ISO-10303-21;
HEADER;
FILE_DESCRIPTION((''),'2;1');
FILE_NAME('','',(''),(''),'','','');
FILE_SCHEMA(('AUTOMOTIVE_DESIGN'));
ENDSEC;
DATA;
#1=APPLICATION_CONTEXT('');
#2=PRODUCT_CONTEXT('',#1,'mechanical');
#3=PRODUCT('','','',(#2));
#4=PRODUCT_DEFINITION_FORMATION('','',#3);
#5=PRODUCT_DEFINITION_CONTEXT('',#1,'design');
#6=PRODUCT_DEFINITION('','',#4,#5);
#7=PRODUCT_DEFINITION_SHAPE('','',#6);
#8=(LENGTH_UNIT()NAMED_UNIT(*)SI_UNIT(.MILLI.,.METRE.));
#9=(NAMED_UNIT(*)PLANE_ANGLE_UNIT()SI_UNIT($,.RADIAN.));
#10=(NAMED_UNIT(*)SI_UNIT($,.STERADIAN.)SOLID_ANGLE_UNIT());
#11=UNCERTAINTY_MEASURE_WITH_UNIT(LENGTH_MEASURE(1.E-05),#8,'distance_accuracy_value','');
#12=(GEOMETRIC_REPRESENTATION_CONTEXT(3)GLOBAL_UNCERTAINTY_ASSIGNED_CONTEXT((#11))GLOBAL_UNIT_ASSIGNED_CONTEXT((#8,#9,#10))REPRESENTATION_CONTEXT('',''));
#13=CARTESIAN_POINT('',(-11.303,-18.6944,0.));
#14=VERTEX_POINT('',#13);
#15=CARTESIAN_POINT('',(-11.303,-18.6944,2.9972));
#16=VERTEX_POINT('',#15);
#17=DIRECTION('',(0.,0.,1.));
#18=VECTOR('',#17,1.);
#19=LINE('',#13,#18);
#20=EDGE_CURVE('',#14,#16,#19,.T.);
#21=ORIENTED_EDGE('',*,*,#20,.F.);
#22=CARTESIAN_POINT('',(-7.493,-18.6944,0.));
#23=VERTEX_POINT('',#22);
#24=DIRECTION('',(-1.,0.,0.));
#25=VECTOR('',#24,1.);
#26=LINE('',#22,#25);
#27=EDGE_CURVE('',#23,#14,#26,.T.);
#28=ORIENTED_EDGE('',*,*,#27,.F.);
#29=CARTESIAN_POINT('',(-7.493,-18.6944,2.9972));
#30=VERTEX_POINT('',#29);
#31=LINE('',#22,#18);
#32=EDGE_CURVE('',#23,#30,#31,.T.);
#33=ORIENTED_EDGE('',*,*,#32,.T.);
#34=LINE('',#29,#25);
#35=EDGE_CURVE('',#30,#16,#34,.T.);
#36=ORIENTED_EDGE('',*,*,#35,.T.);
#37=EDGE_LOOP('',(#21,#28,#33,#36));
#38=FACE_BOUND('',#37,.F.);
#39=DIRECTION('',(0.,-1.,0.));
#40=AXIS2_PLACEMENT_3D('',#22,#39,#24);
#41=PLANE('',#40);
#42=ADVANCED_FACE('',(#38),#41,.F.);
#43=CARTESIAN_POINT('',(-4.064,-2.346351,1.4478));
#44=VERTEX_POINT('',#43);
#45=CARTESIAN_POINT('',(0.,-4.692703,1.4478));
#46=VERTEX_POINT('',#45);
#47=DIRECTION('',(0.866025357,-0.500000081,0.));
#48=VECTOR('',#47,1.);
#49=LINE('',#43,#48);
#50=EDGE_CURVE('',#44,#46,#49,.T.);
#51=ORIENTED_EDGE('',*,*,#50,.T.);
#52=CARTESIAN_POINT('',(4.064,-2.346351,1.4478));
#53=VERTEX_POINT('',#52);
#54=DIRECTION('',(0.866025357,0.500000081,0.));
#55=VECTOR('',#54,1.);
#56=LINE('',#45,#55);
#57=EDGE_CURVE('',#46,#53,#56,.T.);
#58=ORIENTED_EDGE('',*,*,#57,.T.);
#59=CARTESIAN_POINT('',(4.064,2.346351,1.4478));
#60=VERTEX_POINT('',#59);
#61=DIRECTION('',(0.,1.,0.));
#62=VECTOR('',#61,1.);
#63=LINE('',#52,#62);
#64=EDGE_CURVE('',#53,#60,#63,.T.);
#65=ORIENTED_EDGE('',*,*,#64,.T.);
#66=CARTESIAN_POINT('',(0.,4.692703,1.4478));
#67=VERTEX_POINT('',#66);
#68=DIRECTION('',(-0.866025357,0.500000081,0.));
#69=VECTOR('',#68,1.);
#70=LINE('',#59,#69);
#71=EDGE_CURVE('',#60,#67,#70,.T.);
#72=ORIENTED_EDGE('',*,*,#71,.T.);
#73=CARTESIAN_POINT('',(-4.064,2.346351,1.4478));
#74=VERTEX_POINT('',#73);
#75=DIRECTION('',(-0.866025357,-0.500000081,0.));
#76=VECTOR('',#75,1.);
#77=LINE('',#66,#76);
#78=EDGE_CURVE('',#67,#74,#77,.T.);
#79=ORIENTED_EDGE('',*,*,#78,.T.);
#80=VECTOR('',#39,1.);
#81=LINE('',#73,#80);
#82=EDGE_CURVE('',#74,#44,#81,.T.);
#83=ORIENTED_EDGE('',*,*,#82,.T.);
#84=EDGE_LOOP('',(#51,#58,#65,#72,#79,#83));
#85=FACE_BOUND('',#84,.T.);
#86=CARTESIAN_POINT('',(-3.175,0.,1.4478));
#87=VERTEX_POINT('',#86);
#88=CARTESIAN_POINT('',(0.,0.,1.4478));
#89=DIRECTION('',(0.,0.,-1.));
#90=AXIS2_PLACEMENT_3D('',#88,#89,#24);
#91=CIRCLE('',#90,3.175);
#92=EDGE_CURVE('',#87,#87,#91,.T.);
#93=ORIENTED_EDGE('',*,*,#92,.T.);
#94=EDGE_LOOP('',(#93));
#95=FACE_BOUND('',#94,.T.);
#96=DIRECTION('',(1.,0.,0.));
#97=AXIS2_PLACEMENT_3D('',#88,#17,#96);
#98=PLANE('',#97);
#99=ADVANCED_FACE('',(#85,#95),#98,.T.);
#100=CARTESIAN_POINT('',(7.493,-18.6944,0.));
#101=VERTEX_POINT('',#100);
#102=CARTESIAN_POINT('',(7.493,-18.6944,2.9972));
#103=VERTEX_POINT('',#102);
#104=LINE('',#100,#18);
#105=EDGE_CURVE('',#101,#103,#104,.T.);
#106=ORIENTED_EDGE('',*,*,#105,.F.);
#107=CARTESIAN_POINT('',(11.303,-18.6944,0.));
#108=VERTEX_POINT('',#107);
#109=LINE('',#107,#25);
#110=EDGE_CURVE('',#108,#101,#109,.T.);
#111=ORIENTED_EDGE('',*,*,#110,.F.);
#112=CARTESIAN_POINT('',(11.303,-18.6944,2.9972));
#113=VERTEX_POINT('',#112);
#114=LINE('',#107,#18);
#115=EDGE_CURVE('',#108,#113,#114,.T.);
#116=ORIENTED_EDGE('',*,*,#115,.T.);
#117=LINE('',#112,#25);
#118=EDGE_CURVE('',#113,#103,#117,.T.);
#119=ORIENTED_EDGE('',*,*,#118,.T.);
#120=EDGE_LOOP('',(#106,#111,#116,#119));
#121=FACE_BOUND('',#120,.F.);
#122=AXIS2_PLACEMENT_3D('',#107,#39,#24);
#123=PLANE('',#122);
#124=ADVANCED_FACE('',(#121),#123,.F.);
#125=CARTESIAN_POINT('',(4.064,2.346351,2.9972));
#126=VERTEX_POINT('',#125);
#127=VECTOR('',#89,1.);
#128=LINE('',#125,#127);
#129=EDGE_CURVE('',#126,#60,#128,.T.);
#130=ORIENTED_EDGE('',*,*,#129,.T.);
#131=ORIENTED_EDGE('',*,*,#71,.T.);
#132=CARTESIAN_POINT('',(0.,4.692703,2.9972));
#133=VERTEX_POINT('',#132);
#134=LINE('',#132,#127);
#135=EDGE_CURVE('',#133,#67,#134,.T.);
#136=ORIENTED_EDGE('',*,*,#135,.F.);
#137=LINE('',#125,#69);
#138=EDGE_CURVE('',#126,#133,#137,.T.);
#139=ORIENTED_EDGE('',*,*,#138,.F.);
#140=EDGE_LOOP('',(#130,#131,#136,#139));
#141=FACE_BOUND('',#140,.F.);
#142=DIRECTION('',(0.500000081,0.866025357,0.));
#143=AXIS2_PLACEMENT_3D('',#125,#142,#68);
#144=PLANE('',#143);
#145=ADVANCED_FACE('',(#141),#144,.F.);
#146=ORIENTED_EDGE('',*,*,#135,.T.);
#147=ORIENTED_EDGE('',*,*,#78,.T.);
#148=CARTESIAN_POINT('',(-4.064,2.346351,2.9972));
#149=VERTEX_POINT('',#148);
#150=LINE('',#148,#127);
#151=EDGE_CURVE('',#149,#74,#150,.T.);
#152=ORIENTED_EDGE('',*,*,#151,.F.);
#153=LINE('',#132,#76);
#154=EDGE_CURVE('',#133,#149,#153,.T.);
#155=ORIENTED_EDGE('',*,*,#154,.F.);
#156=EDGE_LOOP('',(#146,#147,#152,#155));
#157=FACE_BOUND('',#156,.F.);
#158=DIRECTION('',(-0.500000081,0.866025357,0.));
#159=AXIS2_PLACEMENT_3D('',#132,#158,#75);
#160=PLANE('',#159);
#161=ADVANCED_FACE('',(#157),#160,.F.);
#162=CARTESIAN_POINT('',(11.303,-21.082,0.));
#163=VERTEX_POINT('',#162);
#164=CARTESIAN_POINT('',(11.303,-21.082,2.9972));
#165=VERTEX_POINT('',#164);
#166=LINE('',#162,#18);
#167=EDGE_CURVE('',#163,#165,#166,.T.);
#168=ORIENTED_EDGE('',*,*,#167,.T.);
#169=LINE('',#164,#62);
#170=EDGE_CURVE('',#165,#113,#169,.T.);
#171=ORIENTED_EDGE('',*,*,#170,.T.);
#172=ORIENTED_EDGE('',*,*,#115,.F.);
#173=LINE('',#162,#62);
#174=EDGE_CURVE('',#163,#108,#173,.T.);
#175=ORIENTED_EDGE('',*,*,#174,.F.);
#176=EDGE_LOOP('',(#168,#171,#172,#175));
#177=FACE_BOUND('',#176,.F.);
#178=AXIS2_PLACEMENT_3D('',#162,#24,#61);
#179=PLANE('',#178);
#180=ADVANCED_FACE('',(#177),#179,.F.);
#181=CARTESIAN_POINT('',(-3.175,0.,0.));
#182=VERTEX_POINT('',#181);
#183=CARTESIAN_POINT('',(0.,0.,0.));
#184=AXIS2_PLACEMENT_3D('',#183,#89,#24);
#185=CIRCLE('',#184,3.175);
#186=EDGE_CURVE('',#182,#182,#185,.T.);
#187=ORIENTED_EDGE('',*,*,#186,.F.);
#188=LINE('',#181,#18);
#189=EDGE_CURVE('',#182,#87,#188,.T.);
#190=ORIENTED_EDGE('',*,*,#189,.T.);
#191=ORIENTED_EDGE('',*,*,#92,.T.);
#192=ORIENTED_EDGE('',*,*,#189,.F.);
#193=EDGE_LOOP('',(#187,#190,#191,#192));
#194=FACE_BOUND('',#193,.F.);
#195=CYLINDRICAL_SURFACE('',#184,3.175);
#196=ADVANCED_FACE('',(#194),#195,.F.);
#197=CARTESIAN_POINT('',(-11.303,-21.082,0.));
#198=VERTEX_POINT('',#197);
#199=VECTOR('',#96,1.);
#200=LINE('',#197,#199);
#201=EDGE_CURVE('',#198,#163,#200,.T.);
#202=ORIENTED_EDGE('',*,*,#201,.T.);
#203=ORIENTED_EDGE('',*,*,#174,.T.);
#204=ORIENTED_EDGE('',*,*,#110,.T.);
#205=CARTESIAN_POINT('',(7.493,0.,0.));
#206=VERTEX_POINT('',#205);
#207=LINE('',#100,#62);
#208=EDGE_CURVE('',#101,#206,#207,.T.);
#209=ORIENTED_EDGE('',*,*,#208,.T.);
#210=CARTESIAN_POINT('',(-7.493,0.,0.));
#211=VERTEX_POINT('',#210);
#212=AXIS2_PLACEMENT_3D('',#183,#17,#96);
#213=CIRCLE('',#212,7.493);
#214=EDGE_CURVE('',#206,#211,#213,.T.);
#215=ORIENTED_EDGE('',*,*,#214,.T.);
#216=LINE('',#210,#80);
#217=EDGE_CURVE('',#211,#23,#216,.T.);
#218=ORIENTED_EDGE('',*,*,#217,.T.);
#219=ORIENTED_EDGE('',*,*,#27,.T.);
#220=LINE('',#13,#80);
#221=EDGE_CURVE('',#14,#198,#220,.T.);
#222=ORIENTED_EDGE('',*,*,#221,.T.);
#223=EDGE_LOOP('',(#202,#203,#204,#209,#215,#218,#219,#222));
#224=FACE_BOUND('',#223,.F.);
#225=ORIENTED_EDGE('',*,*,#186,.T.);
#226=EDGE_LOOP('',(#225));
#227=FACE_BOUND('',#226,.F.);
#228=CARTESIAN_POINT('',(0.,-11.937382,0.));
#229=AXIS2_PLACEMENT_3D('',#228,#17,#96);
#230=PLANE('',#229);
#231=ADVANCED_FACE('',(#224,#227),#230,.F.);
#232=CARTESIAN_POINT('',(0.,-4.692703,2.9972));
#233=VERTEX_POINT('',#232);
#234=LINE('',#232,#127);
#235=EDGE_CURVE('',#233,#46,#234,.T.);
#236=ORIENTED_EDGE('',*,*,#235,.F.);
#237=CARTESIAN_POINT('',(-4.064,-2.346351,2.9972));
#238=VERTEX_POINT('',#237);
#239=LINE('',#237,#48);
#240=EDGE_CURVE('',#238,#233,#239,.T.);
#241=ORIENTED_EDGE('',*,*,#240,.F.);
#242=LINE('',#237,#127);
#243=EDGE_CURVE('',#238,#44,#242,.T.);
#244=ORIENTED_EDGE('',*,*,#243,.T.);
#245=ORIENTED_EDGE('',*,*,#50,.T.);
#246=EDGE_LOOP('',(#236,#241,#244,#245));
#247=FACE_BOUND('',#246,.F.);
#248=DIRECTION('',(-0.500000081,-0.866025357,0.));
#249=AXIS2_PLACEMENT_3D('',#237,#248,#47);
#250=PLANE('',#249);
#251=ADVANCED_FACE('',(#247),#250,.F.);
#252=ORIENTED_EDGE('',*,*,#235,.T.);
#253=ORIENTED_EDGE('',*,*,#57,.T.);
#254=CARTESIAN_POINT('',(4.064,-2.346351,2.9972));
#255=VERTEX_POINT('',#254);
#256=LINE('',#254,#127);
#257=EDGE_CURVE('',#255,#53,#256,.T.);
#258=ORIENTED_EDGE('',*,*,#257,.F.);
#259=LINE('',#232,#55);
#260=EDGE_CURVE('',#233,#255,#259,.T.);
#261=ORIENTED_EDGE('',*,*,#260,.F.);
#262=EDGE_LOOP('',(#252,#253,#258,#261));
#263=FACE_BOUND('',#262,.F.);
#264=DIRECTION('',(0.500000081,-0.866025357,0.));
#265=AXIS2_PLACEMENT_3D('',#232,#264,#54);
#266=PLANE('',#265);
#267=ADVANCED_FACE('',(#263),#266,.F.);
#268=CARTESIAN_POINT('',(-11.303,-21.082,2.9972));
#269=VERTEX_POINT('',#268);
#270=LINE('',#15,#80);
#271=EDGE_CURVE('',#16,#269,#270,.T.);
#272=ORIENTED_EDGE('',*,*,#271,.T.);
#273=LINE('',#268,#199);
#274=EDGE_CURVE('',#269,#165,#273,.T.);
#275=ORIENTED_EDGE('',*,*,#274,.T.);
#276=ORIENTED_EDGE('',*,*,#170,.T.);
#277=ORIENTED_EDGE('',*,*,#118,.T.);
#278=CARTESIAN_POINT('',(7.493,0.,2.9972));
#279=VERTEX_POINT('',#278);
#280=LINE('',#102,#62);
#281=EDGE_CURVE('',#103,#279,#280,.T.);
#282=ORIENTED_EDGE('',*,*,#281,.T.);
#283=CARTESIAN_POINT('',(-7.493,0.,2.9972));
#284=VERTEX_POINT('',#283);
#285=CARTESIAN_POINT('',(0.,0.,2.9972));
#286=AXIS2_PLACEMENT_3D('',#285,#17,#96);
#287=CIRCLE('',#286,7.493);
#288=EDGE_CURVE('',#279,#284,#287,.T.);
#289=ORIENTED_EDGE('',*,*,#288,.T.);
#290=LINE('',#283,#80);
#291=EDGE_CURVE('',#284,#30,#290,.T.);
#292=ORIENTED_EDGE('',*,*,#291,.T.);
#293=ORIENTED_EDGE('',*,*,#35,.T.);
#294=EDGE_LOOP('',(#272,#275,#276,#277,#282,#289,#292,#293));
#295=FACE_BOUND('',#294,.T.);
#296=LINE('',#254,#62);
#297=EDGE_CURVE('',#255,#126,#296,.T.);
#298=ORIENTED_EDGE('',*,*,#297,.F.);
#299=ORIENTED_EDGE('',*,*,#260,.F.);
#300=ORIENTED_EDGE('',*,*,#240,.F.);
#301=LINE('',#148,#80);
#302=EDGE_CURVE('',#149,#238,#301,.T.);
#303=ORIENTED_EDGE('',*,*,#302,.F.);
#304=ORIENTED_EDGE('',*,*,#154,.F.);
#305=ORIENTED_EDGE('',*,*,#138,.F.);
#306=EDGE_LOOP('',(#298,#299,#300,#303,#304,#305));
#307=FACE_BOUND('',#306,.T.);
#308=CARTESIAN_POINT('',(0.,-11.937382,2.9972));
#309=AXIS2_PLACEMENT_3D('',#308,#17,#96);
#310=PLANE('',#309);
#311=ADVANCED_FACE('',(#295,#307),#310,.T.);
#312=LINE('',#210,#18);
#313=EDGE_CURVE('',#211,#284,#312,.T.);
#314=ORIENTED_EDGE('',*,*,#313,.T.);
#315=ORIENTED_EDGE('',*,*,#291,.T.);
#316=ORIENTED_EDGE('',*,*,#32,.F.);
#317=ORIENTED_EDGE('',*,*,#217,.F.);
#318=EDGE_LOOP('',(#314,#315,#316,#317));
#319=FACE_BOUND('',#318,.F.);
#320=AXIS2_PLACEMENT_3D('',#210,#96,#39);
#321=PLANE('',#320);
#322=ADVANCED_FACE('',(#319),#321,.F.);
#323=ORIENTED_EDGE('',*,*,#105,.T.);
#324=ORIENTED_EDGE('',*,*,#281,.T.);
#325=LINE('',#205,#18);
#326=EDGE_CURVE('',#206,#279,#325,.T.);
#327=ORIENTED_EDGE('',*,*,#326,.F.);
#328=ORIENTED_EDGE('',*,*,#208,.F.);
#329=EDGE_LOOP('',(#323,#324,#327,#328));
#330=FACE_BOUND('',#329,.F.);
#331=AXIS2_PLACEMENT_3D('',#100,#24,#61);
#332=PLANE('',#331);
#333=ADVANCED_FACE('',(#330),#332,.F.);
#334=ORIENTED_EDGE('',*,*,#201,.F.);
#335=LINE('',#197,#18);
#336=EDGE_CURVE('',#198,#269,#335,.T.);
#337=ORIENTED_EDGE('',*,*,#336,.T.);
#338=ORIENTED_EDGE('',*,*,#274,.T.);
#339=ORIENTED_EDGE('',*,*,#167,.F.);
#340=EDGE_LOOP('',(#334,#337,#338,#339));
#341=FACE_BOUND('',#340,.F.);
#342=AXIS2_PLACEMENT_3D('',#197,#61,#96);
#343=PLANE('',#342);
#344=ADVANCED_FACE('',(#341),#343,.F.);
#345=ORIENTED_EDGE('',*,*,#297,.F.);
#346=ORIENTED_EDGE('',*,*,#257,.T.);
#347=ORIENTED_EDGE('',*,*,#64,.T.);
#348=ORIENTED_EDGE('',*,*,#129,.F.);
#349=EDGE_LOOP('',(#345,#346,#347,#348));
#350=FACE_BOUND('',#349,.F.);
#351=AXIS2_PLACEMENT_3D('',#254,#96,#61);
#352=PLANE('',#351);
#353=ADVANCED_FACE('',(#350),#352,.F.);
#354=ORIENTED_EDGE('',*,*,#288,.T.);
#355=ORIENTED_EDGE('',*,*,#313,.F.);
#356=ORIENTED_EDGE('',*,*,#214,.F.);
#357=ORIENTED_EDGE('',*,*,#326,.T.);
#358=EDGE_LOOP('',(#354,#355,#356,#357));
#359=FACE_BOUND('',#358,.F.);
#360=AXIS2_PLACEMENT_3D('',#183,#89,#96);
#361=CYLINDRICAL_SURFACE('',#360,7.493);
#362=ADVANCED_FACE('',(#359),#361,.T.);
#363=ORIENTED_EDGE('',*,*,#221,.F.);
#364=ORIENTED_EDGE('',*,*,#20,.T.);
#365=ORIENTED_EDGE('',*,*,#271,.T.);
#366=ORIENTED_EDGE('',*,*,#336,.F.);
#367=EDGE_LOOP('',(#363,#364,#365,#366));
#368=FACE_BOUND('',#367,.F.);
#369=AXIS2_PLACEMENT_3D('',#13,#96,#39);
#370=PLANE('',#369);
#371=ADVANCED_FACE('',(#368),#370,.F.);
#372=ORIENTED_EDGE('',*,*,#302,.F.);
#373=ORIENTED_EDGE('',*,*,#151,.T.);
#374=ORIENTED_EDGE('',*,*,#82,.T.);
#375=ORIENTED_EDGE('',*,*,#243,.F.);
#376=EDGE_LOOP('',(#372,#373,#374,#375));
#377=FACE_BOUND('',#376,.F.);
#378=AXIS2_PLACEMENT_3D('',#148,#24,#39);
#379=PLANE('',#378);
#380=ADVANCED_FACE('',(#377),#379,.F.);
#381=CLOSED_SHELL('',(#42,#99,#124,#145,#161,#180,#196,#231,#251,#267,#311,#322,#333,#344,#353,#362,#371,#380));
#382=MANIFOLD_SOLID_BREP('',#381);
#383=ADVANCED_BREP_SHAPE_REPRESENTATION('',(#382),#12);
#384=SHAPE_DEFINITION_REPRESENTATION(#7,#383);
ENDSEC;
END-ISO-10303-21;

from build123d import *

# Parameters (mm, degrees)
F1_DEPTH = 2.9972
F3_DEPTH = 1.5494


with BuildPart() as f1:
    # F0 (on Top) → F1 (new body)
    with BuildSketch(Plane.XY):
        with BuildLine():
            Line((-3.175, 0), (-7.493, 0))
            Line((-7.493, 0), (-7.493, -18.6944))
            Line((-7.493, -18.6944), (-11.303, -18.6944))
            Line((-11.303, -18.6944), (-11.303, -21.082))
            Line((-11.303, -21.082), (11.303, -21.082))
            Line((11.303, -21.082), (11.303, -18.6944))
            Line((11.303, -18.6944), (7.493, -18.6944))
            Line((7.493, -18.6944), (7.493, 0))
            Line((7.493, 0), (3.175, 0))
            ThreePointArc((3.175, 0), (0, -3.175), (-3.175, 0))
        make_face()
        with BuildLine():
            ThreePointArc((7.493, 0), (0, 7.493), (-7.493, 0))
            Line((-7.493, 0), (-3.175, 0))
            ThreePointArc((-3.175, 0), (0, 3.175), (3.175, 0))
            Line((3.175, 0), (7.493, 0))
        make_face()
    extrude(amount=F1_DEPTH)

    # F2 (on face) → F3 (cut)
    with BuildSketch(Plane.XY.offset(2.9972)):
        Polygon((0, 4.692703), (-4.064, 2.346351), (-4.064, -2.346351), (0, -4.692703), (4.064, -2.346351), (4.064, 2.346351), align=None)
    extrude(amount=-F3_DEPTH, mode=Mode.SUBTRACT)


solid = f1.part
